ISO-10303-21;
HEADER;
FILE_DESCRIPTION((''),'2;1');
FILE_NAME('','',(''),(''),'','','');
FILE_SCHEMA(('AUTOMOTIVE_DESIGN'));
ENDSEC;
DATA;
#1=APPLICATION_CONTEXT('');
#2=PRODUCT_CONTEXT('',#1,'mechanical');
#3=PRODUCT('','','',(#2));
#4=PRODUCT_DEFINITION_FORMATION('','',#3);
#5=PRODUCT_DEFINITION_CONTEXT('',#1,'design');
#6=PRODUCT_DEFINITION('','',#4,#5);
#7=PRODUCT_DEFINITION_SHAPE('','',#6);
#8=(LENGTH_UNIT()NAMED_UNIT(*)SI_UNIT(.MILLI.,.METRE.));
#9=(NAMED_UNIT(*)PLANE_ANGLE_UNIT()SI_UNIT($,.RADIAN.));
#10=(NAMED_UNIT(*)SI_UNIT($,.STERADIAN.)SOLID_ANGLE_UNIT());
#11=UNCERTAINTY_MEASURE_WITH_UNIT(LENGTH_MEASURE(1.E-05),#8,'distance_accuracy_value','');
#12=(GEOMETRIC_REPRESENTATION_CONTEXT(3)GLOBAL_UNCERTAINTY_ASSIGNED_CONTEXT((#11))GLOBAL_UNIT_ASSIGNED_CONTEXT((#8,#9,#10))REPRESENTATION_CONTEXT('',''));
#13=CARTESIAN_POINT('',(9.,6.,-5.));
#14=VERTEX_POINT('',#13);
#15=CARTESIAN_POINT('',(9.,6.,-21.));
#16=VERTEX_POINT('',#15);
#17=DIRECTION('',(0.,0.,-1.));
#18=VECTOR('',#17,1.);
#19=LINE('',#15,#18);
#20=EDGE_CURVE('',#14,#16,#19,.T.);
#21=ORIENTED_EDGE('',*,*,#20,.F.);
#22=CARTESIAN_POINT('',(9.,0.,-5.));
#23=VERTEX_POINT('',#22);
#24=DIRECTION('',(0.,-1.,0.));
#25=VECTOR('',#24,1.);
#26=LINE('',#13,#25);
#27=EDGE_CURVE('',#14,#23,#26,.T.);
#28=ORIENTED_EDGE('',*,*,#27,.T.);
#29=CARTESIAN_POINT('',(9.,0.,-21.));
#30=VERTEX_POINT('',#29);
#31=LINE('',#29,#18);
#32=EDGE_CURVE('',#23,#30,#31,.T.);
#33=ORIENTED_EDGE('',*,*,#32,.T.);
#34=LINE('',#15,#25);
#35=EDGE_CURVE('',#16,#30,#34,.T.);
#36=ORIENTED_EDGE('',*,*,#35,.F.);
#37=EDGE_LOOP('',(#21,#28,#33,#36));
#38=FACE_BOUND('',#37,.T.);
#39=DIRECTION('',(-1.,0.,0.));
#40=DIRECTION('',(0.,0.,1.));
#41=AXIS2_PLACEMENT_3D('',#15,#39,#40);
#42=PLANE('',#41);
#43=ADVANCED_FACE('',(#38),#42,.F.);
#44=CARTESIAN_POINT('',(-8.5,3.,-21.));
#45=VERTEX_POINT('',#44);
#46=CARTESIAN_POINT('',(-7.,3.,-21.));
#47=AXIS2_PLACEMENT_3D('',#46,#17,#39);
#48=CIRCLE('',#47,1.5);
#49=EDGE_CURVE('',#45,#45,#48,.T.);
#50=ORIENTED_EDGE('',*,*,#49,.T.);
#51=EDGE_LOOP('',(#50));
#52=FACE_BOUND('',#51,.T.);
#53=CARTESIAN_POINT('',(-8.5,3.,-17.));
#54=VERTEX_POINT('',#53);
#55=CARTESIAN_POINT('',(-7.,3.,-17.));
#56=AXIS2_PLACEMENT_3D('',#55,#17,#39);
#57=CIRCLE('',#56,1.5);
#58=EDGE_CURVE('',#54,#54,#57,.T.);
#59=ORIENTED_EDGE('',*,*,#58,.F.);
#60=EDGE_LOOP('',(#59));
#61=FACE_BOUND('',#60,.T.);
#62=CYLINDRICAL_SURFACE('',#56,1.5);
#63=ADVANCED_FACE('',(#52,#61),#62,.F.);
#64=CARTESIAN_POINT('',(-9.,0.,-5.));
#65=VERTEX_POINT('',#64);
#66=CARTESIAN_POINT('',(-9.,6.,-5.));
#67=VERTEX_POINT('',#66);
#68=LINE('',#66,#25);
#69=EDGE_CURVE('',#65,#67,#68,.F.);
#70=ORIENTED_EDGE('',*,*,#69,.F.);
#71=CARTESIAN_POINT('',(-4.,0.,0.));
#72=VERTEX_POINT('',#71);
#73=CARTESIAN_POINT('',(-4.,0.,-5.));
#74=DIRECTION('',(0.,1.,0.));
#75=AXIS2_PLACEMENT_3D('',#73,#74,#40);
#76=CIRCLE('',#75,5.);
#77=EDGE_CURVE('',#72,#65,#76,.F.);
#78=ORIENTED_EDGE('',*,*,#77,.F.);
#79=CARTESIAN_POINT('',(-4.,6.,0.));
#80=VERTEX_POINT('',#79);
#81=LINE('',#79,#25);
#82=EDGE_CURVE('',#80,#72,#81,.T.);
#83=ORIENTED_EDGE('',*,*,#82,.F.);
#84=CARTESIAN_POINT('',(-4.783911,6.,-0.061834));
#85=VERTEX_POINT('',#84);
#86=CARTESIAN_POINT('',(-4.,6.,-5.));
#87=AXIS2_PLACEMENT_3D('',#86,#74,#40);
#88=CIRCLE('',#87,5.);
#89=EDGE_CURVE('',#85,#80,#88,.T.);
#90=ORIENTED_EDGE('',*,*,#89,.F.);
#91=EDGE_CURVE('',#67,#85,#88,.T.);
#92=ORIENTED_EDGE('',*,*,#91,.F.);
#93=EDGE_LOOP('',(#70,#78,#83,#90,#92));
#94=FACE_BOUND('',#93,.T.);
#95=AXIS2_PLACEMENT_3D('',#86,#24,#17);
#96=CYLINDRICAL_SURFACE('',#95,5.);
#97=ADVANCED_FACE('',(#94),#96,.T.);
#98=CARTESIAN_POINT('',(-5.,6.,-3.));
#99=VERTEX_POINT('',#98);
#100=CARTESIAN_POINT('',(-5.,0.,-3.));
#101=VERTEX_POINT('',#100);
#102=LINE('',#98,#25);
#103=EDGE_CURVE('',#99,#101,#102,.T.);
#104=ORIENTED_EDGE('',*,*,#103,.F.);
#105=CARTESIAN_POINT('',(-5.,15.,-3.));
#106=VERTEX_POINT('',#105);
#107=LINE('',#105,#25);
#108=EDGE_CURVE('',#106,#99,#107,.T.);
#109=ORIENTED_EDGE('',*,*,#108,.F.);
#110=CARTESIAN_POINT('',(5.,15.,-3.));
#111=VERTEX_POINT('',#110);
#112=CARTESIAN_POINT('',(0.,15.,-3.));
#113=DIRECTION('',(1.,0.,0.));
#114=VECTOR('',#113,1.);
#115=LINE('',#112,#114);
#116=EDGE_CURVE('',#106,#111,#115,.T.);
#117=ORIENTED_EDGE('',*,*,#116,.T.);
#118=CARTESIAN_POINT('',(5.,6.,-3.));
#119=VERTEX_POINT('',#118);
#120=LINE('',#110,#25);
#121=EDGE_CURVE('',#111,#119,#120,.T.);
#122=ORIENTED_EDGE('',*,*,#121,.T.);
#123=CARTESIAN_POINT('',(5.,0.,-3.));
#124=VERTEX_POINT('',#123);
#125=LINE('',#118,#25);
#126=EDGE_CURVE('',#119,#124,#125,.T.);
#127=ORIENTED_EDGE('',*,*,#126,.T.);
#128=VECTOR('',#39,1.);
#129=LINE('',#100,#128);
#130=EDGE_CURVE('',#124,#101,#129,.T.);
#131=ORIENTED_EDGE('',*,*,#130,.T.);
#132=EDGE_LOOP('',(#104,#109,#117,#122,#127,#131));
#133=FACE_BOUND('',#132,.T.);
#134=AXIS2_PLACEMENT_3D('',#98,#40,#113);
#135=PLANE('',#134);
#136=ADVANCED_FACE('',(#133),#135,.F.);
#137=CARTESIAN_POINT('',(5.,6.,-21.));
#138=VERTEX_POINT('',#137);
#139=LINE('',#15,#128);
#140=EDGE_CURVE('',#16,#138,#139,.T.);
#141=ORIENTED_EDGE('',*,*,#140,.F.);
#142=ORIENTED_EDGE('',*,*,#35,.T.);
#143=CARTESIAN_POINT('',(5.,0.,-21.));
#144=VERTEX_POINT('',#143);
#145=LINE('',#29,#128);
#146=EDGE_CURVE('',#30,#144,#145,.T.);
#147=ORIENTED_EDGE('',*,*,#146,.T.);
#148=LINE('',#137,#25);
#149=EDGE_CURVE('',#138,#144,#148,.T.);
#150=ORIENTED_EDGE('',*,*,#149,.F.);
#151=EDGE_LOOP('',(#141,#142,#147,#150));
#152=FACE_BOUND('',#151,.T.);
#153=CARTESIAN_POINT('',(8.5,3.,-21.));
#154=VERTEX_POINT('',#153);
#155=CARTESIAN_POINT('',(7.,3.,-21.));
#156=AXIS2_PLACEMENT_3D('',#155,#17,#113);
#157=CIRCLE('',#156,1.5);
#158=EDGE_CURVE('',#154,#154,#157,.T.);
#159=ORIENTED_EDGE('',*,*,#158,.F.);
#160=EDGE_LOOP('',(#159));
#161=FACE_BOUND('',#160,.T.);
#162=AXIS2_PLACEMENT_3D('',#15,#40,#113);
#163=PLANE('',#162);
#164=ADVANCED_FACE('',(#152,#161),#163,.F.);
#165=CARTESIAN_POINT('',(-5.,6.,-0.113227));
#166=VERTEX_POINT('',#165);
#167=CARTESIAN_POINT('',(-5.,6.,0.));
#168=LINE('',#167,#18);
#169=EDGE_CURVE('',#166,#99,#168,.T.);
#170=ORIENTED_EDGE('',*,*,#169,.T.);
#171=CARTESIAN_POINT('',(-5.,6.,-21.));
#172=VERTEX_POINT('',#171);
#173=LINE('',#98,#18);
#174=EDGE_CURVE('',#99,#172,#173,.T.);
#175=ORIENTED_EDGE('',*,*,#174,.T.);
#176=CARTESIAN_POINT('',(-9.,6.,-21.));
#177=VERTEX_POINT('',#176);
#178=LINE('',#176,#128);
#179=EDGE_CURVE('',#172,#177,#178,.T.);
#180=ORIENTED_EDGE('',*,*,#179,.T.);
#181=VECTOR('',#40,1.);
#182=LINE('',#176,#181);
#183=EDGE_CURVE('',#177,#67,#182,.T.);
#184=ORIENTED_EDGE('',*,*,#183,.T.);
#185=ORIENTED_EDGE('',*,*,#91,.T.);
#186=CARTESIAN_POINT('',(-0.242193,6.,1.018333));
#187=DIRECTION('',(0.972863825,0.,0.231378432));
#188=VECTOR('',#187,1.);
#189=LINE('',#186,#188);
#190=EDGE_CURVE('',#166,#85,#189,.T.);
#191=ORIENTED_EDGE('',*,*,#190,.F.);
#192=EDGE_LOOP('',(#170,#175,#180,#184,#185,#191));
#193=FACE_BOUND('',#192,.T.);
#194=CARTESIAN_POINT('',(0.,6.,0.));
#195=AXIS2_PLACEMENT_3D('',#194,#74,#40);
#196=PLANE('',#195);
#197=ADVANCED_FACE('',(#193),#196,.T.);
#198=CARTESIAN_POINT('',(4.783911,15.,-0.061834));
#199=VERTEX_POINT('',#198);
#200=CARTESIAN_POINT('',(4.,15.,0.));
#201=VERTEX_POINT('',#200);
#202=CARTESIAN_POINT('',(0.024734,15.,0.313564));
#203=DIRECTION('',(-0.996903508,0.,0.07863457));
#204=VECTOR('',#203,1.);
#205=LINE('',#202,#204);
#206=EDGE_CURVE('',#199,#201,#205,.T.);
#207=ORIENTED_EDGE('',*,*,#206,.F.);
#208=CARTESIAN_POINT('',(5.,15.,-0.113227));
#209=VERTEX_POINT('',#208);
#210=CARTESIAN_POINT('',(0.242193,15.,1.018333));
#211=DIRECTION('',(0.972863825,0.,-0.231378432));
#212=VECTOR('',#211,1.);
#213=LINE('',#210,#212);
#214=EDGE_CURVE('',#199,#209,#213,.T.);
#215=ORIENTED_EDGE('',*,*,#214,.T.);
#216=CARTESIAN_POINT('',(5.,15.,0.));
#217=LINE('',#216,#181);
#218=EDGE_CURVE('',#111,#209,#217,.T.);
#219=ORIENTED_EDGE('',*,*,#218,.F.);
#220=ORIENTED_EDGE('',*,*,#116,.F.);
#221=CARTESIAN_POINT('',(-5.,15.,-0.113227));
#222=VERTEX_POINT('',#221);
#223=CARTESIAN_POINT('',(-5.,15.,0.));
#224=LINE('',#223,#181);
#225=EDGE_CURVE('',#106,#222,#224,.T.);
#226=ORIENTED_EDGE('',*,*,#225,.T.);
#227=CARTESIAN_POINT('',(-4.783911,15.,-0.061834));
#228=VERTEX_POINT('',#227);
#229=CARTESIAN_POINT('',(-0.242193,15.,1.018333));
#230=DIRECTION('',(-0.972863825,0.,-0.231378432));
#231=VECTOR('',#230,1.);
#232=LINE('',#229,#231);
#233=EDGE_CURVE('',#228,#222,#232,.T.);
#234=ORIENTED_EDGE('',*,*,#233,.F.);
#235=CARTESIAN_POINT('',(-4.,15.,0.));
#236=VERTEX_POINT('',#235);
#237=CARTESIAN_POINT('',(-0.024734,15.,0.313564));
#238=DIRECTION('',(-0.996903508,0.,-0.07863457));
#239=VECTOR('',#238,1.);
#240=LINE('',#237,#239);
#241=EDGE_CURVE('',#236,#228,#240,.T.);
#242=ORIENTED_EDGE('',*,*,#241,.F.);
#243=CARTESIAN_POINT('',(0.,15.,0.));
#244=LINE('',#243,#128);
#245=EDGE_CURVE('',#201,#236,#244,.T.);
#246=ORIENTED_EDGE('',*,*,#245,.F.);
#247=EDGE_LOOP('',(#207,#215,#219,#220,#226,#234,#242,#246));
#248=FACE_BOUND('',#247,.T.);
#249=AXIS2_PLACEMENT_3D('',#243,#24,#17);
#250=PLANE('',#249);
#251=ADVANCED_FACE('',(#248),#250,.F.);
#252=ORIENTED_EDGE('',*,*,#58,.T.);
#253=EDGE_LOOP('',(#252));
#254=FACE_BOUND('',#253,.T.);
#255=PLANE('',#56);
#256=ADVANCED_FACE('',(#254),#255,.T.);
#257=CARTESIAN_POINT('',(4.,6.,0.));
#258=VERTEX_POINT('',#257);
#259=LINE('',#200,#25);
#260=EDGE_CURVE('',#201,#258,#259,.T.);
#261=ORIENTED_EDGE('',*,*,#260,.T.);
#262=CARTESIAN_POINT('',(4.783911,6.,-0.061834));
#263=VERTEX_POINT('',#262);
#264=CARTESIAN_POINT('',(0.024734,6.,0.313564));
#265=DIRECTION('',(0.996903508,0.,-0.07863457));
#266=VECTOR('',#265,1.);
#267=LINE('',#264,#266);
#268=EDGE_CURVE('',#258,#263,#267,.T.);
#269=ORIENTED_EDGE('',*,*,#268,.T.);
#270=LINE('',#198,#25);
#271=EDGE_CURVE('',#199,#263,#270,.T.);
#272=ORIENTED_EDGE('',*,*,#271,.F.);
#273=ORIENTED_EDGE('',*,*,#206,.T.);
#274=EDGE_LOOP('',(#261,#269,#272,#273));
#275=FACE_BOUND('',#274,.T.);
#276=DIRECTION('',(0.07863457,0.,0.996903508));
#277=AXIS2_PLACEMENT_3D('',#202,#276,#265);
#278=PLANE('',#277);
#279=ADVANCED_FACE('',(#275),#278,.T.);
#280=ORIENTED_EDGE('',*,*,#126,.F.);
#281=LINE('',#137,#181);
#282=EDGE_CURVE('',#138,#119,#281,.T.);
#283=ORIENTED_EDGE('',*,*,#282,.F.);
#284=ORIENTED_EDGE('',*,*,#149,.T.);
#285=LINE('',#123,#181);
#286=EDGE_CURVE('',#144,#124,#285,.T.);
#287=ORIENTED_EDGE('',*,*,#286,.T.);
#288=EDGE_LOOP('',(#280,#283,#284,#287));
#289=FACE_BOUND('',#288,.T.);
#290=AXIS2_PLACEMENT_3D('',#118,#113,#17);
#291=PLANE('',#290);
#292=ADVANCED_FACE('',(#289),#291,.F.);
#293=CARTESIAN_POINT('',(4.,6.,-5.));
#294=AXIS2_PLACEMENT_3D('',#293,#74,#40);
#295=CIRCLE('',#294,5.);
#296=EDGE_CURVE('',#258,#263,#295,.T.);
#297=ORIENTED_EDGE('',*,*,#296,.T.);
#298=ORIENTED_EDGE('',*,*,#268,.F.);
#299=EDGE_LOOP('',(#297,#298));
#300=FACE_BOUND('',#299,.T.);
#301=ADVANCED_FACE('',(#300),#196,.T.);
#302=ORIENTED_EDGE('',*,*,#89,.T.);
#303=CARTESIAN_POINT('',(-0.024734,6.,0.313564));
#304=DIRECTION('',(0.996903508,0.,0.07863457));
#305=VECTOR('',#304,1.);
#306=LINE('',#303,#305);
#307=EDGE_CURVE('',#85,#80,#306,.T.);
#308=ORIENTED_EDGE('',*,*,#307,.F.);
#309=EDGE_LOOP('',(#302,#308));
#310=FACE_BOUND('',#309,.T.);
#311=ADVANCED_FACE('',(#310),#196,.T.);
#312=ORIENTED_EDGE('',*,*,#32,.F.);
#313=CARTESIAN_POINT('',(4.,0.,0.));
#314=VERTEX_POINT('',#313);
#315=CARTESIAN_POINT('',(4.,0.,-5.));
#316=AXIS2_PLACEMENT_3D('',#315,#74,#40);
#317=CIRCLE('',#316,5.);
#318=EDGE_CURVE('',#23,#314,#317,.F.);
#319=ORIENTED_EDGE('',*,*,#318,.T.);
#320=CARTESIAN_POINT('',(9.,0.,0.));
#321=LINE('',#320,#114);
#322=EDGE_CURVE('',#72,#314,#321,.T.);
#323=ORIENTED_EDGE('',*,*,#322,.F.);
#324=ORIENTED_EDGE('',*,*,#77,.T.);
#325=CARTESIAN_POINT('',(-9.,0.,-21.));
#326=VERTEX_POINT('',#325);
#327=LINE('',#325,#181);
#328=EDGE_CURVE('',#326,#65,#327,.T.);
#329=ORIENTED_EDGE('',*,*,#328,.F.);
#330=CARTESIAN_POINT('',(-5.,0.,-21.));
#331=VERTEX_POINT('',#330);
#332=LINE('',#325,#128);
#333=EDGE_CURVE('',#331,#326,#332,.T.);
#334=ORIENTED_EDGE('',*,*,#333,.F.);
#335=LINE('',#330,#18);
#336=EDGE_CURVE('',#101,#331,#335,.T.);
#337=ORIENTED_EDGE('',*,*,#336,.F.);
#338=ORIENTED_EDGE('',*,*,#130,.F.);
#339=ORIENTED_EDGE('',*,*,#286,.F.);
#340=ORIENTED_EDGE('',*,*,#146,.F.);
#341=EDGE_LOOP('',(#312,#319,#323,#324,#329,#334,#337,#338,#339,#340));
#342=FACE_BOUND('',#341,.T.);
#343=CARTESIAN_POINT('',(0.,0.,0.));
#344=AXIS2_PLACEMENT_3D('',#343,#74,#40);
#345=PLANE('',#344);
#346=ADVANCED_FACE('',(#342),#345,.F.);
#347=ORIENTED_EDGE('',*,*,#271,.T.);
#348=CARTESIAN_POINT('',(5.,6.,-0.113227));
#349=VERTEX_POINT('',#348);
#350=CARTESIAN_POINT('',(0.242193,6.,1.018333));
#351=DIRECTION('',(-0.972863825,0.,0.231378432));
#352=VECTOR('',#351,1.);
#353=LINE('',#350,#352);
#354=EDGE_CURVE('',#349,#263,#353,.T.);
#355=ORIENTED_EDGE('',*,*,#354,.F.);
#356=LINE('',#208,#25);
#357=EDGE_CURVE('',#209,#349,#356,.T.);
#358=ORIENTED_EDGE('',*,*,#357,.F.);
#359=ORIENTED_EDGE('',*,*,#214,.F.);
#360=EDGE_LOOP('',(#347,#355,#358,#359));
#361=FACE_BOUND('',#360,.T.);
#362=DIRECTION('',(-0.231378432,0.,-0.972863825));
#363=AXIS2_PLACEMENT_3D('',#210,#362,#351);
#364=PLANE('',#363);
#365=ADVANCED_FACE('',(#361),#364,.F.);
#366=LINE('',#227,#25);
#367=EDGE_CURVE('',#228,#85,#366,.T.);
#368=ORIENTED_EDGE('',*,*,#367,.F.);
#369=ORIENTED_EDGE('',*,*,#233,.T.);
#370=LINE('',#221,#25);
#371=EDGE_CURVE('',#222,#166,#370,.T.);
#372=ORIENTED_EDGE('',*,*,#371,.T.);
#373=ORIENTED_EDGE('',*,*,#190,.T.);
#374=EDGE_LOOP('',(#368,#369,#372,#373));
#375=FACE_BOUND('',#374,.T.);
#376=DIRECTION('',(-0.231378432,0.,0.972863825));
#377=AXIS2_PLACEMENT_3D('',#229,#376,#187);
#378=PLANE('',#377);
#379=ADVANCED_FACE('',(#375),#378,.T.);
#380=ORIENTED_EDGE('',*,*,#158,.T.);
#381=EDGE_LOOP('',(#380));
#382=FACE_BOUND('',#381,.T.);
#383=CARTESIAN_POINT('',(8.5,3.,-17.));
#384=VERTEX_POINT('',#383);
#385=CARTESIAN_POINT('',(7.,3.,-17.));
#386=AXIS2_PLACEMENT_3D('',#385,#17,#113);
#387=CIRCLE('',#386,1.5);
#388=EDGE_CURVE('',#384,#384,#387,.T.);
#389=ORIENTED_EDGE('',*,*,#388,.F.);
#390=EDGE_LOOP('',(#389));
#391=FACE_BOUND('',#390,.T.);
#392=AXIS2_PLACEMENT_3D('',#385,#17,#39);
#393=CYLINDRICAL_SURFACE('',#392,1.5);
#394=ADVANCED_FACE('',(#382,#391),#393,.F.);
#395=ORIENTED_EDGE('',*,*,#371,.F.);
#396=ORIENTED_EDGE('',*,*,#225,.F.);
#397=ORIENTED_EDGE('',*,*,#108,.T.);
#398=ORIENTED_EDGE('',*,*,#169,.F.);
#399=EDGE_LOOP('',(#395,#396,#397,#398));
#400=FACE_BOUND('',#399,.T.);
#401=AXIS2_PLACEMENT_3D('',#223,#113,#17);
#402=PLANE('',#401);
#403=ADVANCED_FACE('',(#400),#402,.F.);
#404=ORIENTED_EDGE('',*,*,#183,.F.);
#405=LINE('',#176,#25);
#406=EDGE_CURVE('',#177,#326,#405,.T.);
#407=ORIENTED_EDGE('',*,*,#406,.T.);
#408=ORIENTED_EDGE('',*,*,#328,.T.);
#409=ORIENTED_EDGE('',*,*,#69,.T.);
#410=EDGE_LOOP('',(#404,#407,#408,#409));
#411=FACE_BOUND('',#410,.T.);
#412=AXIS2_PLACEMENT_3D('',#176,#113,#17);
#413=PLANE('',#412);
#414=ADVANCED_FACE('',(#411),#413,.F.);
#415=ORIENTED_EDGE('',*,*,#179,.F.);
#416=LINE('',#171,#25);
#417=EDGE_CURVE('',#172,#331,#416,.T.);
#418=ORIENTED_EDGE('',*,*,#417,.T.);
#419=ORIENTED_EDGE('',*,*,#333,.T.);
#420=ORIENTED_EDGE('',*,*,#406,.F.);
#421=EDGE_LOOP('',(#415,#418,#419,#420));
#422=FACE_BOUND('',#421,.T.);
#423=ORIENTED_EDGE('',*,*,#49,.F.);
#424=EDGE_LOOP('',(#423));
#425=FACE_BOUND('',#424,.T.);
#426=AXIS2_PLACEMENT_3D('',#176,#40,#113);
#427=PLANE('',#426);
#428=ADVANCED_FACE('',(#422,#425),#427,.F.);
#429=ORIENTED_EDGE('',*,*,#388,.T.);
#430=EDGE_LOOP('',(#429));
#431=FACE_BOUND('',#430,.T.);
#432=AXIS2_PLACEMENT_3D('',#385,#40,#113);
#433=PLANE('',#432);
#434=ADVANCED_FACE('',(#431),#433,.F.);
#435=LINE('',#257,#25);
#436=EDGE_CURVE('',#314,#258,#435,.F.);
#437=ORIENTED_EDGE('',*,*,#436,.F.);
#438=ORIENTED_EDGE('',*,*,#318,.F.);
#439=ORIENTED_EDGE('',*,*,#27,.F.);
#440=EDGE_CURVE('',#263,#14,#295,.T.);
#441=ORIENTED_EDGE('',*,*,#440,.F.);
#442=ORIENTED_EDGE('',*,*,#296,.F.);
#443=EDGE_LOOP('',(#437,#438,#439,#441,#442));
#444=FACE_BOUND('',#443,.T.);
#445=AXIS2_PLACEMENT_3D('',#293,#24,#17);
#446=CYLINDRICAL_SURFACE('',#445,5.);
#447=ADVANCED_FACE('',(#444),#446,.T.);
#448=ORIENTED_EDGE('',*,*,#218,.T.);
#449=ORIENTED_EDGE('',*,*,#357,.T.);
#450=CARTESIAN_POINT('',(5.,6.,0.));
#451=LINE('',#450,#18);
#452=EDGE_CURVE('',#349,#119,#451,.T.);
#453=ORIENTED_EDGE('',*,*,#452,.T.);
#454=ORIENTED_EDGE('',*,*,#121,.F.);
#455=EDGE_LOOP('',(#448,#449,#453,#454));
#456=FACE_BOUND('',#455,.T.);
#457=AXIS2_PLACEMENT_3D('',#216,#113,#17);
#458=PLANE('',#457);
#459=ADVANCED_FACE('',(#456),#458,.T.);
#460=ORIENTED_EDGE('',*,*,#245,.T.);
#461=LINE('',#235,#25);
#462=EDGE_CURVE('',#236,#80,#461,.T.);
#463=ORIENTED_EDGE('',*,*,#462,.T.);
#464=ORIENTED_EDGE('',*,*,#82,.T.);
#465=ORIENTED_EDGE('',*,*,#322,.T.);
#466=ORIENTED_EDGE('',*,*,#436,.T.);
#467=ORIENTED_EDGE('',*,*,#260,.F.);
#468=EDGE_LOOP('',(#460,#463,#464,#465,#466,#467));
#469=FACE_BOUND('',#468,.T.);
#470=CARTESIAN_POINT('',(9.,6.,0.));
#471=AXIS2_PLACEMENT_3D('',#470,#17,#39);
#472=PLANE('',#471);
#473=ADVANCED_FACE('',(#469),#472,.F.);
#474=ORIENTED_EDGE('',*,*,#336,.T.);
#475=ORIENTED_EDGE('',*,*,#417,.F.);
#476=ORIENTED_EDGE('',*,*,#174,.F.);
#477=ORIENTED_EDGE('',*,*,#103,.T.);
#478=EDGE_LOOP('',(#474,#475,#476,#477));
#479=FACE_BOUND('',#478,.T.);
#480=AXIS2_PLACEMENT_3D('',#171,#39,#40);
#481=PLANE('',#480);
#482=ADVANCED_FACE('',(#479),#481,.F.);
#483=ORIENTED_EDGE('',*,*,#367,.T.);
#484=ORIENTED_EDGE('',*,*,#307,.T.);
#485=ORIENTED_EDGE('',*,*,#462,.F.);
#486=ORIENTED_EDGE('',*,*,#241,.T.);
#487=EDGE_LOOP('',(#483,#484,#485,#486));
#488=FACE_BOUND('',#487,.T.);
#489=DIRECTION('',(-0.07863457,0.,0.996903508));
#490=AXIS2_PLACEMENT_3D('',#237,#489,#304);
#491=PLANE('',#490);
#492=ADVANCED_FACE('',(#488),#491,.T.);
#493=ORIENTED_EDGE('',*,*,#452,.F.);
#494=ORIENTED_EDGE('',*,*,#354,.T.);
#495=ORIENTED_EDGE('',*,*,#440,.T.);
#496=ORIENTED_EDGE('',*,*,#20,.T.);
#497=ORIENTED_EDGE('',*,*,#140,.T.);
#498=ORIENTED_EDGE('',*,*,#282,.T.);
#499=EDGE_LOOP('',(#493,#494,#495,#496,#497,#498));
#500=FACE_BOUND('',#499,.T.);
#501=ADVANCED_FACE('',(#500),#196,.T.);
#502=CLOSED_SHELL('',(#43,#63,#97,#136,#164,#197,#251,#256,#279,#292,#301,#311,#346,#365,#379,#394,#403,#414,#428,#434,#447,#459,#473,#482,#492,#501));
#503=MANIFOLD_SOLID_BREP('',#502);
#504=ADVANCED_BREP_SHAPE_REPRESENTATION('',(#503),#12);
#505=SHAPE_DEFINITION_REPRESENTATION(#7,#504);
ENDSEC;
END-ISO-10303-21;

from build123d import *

# Parameters (mm, degrees)
BOSS_EXTRUDE1_DEPTH = 6
SKETCH4_R           = 1.5
CUT_EXTRUDE3_DEPTH  = 4
FILLET1_R           = 5
BOSS_EXTRUDE2_DEPTH = 15


with BuildPart() as part:
    # Sketch1 → Boss-Extrude1 (new body)
    with BuildSketch(Plane(origin=(0, 0, 0), x_dir=(1, 0, 0), z_dir=(0, 1, 0))):
        Polygon((9, 21), (9, 0), (-9, 0), (-9, 21), (-5, 21), (-5, 16), (-5, 3), (5, 3), (5, 16), (5, 21), align=None)
    extrude(amount=BOSS_EXTRUDE1_DEPTH)

    # Sketch4 → Cut-Extrude3 (cut)
    with BuildSketch(Plane(origin=(0, 0, -21), x_dir=(-1, 0, 0), z_dir=(0, 0, -1))):
        with Locations((7, 3)):
            Circle(SKETCH4_R)
        with Locations(Location((-7, 3, 0), (0, 0, 180))):
            Circle(SKETCH4_R)
    extrude(amount=-CUT_EXTRUDE3_DEPTH, mode=Mode.SUBTRACT)

    # Fillet1
    fillet1_edges = [part.edges().sort_by_distance(p)[0] for p in [
        (9, 3, 0),
        (-9, 3, 0),
    ]]
    fillet(fillet1_edges, radius=FILLET1_R)

    # Sketch5 → Boss-Extrude2 (add)
    with BuildSketch(Plane.XZ):
        Polygon((4, 0), (-4, 0), (-4.783910784, -0.061833956), (-5, -0.113226949), (-5, -3), (5, -3), (5, -0.113226949), (4.783910784, -0.061833956), align=None)
    extrude(amount=-BOSS_EXTRUDE2_DEPTH)


solid = part.part
